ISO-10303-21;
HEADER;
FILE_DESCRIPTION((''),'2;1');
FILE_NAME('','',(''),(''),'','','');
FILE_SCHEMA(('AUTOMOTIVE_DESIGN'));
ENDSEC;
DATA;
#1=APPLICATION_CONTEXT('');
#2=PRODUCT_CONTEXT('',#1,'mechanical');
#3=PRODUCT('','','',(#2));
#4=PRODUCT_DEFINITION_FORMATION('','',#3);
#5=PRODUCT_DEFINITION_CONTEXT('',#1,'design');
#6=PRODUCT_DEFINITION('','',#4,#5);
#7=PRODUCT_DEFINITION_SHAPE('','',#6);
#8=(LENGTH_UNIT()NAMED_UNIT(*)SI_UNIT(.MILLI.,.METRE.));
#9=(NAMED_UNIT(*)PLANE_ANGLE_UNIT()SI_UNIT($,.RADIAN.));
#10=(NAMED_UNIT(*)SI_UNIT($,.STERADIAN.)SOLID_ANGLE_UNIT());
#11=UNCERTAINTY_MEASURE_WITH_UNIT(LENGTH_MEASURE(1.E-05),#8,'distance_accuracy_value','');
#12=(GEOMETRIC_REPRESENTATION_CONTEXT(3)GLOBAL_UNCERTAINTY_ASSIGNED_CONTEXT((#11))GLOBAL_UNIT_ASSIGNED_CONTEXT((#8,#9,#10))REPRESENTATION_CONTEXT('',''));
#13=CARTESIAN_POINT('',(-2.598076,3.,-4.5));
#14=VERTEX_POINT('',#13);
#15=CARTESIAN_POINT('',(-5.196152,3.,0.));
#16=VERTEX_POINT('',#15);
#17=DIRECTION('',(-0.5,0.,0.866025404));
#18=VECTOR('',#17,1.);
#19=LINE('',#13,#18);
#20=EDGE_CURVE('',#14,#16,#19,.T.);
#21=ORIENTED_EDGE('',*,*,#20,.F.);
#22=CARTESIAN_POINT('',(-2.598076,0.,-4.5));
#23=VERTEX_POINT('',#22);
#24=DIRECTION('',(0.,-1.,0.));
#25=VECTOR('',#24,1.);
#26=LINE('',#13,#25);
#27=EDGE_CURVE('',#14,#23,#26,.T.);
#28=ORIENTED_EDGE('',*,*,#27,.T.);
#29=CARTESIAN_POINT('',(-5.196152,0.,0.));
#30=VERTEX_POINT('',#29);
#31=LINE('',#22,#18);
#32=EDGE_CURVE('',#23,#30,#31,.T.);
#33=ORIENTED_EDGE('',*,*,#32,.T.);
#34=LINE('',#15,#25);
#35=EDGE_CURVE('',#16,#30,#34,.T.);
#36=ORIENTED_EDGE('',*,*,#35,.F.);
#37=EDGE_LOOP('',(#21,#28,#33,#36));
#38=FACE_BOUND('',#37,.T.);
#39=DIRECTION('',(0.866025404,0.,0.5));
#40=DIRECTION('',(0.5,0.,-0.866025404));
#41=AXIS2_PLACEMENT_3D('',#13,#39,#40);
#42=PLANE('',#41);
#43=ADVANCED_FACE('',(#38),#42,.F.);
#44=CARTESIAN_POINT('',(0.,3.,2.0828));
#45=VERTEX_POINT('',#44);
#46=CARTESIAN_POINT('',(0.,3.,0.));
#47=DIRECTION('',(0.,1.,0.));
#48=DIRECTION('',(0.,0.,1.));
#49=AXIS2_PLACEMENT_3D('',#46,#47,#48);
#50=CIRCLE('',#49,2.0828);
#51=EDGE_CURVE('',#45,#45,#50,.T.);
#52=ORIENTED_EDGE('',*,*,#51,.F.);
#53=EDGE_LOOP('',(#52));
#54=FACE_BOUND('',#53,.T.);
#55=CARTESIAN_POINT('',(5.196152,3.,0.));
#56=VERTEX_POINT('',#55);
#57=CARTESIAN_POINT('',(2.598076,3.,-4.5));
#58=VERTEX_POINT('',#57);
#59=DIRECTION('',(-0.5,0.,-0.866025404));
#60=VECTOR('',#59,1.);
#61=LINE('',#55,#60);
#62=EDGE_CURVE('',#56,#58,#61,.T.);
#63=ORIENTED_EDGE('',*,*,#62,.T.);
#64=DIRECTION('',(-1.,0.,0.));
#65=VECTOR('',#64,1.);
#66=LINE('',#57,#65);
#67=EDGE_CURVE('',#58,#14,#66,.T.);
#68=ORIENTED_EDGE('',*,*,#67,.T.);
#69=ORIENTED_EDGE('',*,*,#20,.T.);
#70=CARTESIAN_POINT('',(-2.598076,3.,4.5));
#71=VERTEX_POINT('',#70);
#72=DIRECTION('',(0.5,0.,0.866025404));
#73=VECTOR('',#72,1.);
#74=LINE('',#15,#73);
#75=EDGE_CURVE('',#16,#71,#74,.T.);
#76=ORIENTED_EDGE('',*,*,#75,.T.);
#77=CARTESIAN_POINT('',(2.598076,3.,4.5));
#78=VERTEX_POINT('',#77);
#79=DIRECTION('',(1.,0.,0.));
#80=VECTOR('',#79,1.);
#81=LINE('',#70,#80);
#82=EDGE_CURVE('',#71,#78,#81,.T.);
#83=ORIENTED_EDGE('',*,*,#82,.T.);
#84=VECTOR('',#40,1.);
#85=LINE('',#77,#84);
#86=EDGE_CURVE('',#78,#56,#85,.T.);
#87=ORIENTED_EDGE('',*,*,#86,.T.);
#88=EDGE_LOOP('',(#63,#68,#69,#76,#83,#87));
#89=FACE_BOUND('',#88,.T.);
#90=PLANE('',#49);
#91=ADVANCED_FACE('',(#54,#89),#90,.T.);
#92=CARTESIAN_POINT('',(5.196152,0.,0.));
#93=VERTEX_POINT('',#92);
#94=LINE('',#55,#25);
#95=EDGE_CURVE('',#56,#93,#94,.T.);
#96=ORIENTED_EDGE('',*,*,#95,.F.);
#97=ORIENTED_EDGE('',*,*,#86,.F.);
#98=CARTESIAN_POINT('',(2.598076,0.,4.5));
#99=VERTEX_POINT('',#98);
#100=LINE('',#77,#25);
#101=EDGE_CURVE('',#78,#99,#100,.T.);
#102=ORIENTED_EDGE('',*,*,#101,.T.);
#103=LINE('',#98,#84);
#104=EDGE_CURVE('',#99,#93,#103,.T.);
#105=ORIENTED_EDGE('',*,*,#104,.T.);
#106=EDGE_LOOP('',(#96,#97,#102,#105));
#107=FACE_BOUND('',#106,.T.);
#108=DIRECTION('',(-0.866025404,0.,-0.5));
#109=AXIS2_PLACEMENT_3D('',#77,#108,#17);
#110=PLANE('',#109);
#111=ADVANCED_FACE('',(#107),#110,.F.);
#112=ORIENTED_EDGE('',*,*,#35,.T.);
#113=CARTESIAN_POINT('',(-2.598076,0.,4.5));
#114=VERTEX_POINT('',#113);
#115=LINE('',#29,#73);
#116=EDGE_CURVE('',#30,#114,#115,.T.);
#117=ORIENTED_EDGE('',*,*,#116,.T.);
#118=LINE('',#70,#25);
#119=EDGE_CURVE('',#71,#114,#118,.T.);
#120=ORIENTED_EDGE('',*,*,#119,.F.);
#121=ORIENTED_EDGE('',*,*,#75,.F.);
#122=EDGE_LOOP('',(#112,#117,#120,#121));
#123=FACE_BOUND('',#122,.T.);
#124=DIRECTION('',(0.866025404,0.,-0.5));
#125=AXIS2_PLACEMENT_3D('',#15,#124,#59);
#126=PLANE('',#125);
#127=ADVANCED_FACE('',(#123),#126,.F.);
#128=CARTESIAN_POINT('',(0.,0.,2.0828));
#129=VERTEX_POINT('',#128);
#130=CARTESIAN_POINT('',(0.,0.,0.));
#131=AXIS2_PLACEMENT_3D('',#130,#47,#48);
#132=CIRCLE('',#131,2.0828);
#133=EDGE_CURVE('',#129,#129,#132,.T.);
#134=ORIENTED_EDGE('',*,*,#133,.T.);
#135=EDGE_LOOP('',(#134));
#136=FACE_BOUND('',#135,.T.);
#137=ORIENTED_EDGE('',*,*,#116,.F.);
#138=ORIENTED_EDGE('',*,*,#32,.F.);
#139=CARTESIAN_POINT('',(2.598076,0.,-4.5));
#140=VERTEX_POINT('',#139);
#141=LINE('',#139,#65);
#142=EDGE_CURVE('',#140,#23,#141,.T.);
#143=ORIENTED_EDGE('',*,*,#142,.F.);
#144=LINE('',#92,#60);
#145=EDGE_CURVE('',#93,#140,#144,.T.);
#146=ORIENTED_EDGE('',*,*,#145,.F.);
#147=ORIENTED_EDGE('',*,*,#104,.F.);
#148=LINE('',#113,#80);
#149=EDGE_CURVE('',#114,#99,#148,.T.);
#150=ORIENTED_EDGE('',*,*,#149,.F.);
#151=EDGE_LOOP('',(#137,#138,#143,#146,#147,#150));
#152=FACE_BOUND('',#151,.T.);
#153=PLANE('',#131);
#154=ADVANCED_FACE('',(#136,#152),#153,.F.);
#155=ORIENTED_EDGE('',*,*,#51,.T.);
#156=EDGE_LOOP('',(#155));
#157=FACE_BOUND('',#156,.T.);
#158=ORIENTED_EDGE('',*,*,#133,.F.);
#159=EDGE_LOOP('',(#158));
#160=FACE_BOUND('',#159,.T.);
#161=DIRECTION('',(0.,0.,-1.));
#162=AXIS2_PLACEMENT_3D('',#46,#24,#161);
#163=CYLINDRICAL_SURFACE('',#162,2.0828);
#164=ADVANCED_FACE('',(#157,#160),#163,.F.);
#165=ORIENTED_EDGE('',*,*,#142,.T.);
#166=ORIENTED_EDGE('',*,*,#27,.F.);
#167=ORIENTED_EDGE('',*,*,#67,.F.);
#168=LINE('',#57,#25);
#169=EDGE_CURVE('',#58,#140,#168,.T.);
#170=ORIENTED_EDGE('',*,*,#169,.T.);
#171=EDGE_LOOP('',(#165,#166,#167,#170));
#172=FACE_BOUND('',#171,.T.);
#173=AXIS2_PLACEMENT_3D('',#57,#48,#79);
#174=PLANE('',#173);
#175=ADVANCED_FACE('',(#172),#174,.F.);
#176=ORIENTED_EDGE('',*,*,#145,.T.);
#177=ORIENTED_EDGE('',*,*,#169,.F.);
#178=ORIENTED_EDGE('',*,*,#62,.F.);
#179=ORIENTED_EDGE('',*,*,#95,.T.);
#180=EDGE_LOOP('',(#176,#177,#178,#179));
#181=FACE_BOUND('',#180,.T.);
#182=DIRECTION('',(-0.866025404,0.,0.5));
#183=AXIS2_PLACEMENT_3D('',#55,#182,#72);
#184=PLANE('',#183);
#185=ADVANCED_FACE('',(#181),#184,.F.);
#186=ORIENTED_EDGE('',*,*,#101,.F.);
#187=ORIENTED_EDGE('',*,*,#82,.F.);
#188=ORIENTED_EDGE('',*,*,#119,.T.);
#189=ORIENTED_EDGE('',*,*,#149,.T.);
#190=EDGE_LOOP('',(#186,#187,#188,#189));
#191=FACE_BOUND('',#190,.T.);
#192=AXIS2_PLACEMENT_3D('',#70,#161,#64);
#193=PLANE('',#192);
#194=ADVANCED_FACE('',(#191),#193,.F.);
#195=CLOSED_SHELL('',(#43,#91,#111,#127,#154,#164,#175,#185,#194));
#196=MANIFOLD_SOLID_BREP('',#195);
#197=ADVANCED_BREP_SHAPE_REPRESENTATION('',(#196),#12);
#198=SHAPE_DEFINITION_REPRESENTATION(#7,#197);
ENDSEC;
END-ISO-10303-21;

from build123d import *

# Parameters (mm, degrees)
SKETCH1_R           = 2.0828
BOSS_EXTRUDE1_DEPTH = 3


with BuildPart() as part:
    # Sketch1 → Boss-Extrude1 (new body)
    with BuildSketch(Plane(origin=(0, 0, 0), x_dir=(1, 0, 0), z_dir=(0, 1, 0))):
        Polygon((5.196152423, 0), (2.598076211, 4.5), (-2.598076211, 4.5), (-5.196152423, 0), (-2.598076211, -4.5), (2.598076211, -4.5), align=None)
        Circle(SKETCH1_R, mode=Mode.SUBTRACT)
    extrude(amount=BOSS_EXTRUDE1_DEPTH)


solid = part.part
